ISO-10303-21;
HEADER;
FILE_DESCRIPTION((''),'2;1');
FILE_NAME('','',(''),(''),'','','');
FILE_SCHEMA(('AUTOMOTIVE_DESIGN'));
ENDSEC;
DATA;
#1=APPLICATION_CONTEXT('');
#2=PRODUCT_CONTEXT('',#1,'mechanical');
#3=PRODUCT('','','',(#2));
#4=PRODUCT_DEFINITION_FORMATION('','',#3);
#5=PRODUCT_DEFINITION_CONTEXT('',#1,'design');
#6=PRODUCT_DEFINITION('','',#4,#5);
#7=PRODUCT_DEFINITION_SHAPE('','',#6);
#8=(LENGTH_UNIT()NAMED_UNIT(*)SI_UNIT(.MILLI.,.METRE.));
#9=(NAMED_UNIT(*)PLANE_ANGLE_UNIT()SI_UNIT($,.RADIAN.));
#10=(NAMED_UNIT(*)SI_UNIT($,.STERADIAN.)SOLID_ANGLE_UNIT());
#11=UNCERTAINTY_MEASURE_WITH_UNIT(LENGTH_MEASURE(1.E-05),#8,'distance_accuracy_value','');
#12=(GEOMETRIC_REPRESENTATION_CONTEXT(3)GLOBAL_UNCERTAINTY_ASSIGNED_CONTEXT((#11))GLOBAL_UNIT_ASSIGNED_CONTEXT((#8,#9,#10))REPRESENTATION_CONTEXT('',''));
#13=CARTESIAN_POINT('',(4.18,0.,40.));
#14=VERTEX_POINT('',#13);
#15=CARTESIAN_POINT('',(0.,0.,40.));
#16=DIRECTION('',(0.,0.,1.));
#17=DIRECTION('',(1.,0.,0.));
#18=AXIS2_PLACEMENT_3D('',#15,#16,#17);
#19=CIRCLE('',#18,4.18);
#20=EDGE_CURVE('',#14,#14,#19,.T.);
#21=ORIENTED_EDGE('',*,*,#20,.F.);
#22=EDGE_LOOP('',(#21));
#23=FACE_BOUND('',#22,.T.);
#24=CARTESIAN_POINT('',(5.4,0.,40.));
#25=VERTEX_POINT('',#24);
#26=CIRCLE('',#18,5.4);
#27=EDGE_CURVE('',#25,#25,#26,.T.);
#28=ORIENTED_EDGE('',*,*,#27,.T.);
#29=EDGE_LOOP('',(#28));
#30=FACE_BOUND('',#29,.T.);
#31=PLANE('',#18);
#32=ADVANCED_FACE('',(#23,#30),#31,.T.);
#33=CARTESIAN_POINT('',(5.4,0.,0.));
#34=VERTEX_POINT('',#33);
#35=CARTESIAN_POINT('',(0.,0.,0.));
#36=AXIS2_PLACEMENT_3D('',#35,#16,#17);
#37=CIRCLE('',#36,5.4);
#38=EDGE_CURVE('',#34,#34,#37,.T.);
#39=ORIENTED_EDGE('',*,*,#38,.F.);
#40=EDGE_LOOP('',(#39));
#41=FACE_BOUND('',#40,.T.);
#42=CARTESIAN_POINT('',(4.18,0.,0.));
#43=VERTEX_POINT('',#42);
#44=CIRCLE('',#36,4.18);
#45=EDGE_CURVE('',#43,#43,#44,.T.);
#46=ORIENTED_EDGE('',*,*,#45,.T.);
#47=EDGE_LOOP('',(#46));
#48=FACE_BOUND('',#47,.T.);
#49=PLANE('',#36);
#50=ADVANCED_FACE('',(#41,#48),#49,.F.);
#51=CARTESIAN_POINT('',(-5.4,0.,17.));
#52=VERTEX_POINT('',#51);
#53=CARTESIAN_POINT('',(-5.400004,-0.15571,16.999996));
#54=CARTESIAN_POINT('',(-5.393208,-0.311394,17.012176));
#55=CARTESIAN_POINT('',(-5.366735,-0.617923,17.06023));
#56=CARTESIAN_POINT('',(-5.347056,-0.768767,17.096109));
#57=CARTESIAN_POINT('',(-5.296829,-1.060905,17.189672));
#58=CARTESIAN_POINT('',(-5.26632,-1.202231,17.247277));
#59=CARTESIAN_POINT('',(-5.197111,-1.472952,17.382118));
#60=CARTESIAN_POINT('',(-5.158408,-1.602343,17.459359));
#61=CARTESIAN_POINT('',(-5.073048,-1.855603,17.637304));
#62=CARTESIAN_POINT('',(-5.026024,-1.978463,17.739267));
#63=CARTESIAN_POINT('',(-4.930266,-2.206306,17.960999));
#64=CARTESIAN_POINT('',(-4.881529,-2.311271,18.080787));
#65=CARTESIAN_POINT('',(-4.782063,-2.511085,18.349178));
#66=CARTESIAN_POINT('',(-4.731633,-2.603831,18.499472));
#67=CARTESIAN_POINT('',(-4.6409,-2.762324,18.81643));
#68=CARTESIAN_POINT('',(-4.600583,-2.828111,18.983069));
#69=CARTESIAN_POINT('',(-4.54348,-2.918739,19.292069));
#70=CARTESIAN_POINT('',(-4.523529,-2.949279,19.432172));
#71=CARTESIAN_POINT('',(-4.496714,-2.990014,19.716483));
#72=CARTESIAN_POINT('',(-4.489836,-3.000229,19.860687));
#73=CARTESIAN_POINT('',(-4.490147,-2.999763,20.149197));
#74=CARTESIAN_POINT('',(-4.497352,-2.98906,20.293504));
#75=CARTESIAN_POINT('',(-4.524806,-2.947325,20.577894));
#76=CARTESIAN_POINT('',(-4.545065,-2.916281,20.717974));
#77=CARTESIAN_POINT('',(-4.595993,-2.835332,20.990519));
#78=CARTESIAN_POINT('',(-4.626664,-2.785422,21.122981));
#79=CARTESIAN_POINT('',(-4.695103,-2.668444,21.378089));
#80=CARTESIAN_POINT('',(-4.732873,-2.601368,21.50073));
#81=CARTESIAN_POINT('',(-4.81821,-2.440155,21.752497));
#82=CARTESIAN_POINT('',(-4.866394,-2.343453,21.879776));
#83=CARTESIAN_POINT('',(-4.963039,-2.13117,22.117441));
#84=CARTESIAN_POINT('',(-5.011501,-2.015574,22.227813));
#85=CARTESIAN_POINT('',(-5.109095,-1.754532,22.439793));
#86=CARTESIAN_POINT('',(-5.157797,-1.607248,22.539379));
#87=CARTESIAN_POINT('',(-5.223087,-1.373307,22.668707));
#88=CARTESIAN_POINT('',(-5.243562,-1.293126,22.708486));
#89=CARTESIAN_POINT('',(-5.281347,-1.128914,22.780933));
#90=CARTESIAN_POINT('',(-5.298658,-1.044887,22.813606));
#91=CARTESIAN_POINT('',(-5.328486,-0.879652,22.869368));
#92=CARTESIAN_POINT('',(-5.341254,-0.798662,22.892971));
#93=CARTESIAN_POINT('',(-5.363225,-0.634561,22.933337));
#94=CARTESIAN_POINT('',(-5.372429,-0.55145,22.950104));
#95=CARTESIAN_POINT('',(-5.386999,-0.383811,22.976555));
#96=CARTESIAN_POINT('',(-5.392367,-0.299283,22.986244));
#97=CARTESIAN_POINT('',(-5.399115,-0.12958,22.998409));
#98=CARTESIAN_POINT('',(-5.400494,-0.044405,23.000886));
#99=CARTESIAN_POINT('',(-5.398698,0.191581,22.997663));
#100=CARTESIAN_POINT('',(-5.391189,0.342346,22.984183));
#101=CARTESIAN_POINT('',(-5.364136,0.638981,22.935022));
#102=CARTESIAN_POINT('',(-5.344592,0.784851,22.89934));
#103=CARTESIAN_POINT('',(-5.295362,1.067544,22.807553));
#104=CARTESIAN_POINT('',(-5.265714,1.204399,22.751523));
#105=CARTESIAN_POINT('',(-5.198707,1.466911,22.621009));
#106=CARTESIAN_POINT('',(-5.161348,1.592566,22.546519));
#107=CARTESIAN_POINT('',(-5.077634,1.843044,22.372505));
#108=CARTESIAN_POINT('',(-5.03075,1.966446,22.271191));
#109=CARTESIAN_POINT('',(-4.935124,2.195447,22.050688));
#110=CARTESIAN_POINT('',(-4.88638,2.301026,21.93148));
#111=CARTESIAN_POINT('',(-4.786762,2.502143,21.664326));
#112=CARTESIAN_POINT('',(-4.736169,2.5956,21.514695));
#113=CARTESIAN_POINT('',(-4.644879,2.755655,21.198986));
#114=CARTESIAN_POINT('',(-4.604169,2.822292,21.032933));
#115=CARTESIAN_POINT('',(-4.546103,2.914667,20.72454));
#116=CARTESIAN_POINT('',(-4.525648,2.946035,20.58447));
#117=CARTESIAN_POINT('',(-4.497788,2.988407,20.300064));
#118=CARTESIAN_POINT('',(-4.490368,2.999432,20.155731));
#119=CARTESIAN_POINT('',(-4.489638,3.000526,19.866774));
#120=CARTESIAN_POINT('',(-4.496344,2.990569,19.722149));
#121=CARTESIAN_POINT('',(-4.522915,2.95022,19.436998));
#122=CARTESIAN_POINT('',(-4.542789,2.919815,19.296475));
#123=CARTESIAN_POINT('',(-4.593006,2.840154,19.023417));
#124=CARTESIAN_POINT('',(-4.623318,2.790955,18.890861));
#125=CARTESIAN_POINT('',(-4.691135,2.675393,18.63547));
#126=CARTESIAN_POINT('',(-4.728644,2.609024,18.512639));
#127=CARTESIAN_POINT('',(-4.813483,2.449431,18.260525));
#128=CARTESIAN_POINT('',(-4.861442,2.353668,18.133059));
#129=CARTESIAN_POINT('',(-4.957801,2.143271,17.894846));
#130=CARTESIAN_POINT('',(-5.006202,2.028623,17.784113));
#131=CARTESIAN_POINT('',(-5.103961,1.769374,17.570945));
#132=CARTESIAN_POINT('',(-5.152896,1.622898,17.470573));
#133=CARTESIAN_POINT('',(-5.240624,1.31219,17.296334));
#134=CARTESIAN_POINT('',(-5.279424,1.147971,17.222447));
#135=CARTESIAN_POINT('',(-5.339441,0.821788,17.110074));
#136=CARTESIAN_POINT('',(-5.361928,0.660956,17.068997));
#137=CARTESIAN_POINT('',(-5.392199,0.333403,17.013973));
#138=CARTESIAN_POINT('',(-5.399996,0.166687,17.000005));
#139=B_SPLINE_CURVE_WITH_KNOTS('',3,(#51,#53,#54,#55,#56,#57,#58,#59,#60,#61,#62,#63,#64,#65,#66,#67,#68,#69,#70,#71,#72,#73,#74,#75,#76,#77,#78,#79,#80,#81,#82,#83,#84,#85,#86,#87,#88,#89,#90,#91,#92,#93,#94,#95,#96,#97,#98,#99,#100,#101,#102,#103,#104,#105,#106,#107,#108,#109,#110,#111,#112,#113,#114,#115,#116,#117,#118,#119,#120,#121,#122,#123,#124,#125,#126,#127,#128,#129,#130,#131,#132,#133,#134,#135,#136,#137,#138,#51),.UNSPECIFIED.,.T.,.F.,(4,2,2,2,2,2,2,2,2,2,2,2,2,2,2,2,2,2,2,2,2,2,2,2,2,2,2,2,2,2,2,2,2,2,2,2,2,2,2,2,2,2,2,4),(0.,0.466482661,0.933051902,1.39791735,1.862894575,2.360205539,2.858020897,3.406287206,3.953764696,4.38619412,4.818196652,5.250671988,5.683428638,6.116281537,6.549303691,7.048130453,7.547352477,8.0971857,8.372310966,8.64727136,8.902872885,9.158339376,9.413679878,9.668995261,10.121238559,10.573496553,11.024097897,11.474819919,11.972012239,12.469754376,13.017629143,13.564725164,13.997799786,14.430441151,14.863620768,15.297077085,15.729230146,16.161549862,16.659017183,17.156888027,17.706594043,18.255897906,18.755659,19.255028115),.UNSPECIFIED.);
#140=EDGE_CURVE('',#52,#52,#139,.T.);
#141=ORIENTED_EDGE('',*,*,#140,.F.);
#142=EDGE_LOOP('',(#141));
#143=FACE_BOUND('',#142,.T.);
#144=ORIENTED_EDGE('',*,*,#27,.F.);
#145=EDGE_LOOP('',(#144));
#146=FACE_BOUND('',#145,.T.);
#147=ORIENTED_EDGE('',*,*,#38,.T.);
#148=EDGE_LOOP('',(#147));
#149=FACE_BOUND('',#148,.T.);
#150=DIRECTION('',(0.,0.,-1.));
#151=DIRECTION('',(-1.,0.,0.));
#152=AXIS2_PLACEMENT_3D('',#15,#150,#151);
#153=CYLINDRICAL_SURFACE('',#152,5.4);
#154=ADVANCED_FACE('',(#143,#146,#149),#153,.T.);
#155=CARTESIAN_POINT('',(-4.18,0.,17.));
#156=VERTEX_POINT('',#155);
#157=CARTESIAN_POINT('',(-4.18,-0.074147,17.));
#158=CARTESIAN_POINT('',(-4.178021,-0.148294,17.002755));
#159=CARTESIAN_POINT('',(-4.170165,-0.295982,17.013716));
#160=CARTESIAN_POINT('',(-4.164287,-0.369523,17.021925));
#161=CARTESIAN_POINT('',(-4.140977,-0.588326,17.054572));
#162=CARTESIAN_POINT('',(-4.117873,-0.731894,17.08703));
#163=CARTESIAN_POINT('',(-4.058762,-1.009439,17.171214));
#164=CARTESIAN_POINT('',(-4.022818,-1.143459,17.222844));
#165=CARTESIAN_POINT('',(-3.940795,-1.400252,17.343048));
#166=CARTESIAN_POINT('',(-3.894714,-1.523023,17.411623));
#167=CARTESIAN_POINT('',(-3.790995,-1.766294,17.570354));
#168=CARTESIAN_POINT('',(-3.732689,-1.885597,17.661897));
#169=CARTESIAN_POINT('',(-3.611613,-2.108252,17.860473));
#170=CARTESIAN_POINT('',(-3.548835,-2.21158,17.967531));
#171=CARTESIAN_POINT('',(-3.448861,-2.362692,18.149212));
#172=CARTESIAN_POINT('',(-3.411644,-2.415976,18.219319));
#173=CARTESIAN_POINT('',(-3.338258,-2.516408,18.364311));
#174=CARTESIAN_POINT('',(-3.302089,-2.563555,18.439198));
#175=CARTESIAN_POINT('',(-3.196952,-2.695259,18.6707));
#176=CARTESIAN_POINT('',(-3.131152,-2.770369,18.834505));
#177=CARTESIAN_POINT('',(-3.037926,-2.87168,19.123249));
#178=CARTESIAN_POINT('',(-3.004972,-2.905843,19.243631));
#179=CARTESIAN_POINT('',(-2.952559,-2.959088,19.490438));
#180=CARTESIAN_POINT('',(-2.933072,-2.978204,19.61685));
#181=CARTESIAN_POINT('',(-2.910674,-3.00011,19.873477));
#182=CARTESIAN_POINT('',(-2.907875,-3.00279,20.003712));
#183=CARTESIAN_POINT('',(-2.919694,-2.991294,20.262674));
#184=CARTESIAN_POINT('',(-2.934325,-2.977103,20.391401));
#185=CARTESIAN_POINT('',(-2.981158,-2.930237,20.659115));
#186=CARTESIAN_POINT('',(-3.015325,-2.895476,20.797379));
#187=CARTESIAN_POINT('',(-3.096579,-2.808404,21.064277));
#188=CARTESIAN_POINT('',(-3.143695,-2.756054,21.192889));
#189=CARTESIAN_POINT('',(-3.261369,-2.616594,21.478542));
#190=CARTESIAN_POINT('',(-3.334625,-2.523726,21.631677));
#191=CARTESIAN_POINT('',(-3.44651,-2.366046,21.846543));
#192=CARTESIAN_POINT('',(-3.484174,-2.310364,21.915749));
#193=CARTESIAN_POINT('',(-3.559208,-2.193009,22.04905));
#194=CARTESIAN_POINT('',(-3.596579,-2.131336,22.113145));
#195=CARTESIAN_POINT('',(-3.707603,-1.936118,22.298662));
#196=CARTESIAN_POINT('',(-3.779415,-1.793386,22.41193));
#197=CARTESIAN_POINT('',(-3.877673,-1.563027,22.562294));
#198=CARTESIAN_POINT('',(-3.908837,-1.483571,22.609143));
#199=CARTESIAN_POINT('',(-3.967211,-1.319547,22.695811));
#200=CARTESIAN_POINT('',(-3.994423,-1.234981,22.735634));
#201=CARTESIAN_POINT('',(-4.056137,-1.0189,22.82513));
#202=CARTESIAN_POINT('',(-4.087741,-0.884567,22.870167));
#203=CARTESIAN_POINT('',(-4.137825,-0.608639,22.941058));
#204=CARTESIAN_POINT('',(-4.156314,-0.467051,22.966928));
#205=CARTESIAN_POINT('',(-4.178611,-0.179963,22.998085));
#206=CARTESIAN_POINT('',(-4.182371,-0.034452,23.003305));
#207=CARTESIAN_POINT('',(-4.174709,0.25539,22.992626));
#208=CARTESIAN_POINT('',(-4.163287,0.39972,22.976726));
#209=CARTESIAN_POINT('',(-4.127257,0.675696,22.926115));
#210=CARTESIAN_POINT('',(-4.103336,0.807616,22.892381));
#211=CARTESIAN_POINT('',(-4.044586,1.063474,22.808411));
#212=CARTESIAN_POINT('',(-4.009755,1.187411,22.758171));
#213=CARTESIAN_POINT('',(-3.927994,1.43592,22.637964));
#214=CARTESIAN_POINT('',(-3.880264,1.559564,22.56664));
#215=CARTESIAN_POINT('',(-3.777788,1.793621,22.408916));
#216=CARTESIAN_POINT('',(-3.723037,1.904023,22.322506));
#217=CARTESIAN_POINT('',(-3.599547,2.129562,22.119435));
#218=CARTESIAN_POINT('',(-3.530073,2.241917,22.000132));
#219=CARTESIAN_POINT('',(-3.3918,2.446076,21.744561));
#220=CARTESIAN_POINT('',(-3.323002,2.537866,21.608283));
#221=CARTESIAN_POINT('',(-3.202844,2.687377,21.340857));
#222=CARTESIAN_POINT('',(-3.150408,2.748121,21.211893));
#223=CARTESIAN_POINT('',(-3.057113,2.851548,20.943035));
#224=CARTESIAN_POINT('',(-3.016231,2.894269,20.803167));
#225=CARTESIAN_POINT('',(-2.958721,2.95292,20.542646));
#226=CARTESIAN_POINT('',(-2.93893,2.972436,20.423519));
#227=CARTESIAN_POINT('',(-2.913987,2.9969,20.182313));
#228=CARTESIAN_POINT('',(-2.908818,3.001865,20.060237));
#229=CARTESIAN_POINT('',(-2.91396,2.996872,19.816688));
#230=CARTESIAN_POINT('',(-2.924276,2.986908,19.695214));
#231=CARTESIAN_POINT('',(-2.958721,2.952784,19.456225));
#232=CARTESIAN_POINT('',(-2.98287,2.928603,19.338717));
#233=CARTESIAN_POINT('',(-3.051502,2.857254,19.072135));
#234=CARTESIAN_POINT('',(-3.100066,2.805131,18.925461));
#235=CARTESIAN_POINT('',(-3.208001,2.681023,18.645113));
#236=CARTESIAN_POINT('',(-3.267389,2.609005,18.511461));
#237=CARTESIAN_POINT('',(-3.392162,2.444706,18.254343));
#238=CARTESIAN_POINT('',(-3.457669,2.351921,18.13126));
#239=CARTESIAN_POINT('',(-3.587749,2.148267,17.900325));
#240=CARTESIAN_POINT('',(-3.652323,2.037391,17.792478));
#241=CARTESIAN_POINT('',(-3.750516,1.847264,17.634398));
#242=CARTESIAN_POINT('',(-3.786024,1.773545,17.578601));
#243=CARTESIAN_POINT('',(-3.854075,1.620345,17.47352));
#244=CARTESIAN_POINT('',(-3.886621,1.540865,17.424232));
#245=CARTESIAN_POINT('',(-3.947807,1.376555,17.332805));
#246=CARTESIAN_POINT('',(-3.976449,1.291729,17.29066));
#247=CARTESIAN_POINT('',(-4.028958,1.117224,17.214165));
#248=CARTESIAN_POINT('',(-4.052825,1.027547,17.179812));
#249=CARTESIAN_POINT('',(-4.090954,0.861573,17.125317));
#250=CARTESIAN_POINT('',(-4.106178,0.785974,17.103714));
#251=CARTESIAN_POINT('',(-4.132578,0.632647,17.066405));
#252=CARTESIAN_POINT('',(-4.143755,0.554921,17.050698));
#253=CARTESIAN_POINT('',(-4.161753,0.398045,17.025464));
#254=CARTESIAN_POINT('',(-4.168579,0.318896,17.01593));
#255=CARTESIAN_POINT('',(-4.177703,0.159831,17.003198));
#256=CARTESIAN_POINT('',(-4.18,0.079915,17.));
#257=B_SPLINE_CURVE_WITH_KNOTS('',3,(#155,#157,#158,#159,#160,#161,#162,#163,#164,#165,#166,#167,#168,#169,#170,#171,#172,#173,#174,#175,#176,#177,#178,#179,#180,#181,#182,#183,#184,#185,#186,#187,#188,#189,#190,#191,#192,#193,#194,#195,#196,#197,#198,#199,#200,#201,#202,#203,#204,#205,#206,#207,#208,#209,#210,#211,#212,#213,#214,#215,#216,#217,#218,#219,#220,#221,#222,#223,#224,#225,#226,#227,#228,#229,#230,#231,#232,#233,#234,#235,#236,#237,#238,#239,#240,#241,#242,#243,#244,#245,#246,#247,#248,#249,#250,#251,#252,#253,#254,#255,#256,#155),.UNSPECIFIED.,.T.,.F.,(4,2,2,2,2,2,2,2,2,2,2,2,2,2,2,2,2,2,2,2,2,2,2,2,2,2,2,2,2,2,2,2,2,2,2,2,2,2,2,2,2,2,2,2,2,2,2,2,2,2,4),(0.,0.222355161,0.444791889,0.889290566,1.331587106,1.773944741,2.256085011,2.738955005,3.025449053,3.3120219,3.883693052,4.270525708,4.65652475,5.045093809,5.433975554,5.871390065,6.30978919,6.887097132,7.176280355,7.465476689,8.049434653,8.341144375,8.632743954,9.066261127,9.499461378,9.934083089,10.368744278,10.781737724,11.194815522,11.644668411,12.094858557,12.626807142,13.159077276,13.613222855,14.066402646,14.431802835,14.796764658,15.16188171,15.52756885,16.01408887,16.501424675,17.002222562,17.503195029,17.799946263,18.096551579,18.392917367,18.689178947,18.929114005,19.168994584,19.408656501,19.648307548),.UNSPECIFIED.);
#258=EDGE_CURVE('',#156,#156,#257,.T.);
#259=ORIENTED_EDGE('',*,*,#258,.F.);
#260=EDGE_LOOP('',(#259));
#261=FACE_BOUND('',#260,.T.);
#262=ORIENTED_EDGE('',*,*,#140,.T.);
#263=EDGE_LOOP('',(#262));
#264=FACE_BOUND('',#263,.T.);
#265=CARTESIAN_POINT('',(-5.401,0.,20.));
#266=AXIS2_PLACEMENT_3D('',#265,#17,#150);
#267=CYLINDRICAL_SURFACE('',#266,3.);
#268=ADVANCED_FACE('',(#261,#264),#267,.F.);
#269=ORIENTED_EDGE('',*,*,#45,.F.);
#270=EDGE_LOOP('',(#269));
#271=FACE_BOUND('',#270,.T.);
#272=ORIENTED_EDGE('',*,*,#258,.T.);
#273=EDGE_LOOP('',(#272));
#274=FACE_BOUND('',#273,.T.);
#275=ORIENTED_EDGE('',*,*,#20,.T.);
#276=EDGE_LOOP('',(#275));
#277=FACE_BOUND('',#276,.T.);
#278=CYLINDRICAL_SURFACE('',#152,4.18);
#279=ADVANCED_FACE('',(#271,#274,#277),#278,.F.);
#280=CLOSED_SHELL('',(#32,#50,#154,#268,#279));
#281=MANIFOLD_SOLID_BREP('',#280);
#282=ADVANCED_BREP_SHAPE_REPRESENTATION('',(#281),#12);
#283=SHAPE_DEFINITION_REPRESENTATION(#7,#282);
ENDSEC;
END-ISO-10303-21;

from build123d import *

# Parameters (mm, degrees)
SKETCH1_R           = 5.4
SKETCH1_R_2         = 4.18
BOSS_EXTRUDE1_DEPTH = 40
CUT_EXTRUDE1_REACH  = 7.4
SKETCH2_R           = 3


with BuildPart() as part:
    # Sketch1 → Boss-Extrude1 (new body)
    with BuildSketch(Plane.XY):
        Circle(SKETCH1_R)
        Circle(SKETCH1_R_2, mode=Mode.SUBTRACT)
    extrude(amount=BOSS_EXTRUDE1_DEPTH)

    # Sketch2 → Cut-Extrude1 (cut, up to next)
    with BuildSketch(Plane(origin=(0, 0, 0), x_dir=(0, 0, -1), z_dir=(1, 0, 0)), mode=Mode.PRIVATE) as cut_extrude1_sk1:
        with Locations((-20, 0)):
            Circle(SKETCH2_R)
    cut_extrude1_tool1 = extrude(cut_extrude1_sk1.sketch, amount=-CUT_EXTRUDE1_REACH, mode=Mode.PRIVATE) & part.part
    add(cut_extrude1_tool1.solids().sort_by_distance((0, 0, 20))[0], mode=Mode.SUBTRACT)


solid = part.part
